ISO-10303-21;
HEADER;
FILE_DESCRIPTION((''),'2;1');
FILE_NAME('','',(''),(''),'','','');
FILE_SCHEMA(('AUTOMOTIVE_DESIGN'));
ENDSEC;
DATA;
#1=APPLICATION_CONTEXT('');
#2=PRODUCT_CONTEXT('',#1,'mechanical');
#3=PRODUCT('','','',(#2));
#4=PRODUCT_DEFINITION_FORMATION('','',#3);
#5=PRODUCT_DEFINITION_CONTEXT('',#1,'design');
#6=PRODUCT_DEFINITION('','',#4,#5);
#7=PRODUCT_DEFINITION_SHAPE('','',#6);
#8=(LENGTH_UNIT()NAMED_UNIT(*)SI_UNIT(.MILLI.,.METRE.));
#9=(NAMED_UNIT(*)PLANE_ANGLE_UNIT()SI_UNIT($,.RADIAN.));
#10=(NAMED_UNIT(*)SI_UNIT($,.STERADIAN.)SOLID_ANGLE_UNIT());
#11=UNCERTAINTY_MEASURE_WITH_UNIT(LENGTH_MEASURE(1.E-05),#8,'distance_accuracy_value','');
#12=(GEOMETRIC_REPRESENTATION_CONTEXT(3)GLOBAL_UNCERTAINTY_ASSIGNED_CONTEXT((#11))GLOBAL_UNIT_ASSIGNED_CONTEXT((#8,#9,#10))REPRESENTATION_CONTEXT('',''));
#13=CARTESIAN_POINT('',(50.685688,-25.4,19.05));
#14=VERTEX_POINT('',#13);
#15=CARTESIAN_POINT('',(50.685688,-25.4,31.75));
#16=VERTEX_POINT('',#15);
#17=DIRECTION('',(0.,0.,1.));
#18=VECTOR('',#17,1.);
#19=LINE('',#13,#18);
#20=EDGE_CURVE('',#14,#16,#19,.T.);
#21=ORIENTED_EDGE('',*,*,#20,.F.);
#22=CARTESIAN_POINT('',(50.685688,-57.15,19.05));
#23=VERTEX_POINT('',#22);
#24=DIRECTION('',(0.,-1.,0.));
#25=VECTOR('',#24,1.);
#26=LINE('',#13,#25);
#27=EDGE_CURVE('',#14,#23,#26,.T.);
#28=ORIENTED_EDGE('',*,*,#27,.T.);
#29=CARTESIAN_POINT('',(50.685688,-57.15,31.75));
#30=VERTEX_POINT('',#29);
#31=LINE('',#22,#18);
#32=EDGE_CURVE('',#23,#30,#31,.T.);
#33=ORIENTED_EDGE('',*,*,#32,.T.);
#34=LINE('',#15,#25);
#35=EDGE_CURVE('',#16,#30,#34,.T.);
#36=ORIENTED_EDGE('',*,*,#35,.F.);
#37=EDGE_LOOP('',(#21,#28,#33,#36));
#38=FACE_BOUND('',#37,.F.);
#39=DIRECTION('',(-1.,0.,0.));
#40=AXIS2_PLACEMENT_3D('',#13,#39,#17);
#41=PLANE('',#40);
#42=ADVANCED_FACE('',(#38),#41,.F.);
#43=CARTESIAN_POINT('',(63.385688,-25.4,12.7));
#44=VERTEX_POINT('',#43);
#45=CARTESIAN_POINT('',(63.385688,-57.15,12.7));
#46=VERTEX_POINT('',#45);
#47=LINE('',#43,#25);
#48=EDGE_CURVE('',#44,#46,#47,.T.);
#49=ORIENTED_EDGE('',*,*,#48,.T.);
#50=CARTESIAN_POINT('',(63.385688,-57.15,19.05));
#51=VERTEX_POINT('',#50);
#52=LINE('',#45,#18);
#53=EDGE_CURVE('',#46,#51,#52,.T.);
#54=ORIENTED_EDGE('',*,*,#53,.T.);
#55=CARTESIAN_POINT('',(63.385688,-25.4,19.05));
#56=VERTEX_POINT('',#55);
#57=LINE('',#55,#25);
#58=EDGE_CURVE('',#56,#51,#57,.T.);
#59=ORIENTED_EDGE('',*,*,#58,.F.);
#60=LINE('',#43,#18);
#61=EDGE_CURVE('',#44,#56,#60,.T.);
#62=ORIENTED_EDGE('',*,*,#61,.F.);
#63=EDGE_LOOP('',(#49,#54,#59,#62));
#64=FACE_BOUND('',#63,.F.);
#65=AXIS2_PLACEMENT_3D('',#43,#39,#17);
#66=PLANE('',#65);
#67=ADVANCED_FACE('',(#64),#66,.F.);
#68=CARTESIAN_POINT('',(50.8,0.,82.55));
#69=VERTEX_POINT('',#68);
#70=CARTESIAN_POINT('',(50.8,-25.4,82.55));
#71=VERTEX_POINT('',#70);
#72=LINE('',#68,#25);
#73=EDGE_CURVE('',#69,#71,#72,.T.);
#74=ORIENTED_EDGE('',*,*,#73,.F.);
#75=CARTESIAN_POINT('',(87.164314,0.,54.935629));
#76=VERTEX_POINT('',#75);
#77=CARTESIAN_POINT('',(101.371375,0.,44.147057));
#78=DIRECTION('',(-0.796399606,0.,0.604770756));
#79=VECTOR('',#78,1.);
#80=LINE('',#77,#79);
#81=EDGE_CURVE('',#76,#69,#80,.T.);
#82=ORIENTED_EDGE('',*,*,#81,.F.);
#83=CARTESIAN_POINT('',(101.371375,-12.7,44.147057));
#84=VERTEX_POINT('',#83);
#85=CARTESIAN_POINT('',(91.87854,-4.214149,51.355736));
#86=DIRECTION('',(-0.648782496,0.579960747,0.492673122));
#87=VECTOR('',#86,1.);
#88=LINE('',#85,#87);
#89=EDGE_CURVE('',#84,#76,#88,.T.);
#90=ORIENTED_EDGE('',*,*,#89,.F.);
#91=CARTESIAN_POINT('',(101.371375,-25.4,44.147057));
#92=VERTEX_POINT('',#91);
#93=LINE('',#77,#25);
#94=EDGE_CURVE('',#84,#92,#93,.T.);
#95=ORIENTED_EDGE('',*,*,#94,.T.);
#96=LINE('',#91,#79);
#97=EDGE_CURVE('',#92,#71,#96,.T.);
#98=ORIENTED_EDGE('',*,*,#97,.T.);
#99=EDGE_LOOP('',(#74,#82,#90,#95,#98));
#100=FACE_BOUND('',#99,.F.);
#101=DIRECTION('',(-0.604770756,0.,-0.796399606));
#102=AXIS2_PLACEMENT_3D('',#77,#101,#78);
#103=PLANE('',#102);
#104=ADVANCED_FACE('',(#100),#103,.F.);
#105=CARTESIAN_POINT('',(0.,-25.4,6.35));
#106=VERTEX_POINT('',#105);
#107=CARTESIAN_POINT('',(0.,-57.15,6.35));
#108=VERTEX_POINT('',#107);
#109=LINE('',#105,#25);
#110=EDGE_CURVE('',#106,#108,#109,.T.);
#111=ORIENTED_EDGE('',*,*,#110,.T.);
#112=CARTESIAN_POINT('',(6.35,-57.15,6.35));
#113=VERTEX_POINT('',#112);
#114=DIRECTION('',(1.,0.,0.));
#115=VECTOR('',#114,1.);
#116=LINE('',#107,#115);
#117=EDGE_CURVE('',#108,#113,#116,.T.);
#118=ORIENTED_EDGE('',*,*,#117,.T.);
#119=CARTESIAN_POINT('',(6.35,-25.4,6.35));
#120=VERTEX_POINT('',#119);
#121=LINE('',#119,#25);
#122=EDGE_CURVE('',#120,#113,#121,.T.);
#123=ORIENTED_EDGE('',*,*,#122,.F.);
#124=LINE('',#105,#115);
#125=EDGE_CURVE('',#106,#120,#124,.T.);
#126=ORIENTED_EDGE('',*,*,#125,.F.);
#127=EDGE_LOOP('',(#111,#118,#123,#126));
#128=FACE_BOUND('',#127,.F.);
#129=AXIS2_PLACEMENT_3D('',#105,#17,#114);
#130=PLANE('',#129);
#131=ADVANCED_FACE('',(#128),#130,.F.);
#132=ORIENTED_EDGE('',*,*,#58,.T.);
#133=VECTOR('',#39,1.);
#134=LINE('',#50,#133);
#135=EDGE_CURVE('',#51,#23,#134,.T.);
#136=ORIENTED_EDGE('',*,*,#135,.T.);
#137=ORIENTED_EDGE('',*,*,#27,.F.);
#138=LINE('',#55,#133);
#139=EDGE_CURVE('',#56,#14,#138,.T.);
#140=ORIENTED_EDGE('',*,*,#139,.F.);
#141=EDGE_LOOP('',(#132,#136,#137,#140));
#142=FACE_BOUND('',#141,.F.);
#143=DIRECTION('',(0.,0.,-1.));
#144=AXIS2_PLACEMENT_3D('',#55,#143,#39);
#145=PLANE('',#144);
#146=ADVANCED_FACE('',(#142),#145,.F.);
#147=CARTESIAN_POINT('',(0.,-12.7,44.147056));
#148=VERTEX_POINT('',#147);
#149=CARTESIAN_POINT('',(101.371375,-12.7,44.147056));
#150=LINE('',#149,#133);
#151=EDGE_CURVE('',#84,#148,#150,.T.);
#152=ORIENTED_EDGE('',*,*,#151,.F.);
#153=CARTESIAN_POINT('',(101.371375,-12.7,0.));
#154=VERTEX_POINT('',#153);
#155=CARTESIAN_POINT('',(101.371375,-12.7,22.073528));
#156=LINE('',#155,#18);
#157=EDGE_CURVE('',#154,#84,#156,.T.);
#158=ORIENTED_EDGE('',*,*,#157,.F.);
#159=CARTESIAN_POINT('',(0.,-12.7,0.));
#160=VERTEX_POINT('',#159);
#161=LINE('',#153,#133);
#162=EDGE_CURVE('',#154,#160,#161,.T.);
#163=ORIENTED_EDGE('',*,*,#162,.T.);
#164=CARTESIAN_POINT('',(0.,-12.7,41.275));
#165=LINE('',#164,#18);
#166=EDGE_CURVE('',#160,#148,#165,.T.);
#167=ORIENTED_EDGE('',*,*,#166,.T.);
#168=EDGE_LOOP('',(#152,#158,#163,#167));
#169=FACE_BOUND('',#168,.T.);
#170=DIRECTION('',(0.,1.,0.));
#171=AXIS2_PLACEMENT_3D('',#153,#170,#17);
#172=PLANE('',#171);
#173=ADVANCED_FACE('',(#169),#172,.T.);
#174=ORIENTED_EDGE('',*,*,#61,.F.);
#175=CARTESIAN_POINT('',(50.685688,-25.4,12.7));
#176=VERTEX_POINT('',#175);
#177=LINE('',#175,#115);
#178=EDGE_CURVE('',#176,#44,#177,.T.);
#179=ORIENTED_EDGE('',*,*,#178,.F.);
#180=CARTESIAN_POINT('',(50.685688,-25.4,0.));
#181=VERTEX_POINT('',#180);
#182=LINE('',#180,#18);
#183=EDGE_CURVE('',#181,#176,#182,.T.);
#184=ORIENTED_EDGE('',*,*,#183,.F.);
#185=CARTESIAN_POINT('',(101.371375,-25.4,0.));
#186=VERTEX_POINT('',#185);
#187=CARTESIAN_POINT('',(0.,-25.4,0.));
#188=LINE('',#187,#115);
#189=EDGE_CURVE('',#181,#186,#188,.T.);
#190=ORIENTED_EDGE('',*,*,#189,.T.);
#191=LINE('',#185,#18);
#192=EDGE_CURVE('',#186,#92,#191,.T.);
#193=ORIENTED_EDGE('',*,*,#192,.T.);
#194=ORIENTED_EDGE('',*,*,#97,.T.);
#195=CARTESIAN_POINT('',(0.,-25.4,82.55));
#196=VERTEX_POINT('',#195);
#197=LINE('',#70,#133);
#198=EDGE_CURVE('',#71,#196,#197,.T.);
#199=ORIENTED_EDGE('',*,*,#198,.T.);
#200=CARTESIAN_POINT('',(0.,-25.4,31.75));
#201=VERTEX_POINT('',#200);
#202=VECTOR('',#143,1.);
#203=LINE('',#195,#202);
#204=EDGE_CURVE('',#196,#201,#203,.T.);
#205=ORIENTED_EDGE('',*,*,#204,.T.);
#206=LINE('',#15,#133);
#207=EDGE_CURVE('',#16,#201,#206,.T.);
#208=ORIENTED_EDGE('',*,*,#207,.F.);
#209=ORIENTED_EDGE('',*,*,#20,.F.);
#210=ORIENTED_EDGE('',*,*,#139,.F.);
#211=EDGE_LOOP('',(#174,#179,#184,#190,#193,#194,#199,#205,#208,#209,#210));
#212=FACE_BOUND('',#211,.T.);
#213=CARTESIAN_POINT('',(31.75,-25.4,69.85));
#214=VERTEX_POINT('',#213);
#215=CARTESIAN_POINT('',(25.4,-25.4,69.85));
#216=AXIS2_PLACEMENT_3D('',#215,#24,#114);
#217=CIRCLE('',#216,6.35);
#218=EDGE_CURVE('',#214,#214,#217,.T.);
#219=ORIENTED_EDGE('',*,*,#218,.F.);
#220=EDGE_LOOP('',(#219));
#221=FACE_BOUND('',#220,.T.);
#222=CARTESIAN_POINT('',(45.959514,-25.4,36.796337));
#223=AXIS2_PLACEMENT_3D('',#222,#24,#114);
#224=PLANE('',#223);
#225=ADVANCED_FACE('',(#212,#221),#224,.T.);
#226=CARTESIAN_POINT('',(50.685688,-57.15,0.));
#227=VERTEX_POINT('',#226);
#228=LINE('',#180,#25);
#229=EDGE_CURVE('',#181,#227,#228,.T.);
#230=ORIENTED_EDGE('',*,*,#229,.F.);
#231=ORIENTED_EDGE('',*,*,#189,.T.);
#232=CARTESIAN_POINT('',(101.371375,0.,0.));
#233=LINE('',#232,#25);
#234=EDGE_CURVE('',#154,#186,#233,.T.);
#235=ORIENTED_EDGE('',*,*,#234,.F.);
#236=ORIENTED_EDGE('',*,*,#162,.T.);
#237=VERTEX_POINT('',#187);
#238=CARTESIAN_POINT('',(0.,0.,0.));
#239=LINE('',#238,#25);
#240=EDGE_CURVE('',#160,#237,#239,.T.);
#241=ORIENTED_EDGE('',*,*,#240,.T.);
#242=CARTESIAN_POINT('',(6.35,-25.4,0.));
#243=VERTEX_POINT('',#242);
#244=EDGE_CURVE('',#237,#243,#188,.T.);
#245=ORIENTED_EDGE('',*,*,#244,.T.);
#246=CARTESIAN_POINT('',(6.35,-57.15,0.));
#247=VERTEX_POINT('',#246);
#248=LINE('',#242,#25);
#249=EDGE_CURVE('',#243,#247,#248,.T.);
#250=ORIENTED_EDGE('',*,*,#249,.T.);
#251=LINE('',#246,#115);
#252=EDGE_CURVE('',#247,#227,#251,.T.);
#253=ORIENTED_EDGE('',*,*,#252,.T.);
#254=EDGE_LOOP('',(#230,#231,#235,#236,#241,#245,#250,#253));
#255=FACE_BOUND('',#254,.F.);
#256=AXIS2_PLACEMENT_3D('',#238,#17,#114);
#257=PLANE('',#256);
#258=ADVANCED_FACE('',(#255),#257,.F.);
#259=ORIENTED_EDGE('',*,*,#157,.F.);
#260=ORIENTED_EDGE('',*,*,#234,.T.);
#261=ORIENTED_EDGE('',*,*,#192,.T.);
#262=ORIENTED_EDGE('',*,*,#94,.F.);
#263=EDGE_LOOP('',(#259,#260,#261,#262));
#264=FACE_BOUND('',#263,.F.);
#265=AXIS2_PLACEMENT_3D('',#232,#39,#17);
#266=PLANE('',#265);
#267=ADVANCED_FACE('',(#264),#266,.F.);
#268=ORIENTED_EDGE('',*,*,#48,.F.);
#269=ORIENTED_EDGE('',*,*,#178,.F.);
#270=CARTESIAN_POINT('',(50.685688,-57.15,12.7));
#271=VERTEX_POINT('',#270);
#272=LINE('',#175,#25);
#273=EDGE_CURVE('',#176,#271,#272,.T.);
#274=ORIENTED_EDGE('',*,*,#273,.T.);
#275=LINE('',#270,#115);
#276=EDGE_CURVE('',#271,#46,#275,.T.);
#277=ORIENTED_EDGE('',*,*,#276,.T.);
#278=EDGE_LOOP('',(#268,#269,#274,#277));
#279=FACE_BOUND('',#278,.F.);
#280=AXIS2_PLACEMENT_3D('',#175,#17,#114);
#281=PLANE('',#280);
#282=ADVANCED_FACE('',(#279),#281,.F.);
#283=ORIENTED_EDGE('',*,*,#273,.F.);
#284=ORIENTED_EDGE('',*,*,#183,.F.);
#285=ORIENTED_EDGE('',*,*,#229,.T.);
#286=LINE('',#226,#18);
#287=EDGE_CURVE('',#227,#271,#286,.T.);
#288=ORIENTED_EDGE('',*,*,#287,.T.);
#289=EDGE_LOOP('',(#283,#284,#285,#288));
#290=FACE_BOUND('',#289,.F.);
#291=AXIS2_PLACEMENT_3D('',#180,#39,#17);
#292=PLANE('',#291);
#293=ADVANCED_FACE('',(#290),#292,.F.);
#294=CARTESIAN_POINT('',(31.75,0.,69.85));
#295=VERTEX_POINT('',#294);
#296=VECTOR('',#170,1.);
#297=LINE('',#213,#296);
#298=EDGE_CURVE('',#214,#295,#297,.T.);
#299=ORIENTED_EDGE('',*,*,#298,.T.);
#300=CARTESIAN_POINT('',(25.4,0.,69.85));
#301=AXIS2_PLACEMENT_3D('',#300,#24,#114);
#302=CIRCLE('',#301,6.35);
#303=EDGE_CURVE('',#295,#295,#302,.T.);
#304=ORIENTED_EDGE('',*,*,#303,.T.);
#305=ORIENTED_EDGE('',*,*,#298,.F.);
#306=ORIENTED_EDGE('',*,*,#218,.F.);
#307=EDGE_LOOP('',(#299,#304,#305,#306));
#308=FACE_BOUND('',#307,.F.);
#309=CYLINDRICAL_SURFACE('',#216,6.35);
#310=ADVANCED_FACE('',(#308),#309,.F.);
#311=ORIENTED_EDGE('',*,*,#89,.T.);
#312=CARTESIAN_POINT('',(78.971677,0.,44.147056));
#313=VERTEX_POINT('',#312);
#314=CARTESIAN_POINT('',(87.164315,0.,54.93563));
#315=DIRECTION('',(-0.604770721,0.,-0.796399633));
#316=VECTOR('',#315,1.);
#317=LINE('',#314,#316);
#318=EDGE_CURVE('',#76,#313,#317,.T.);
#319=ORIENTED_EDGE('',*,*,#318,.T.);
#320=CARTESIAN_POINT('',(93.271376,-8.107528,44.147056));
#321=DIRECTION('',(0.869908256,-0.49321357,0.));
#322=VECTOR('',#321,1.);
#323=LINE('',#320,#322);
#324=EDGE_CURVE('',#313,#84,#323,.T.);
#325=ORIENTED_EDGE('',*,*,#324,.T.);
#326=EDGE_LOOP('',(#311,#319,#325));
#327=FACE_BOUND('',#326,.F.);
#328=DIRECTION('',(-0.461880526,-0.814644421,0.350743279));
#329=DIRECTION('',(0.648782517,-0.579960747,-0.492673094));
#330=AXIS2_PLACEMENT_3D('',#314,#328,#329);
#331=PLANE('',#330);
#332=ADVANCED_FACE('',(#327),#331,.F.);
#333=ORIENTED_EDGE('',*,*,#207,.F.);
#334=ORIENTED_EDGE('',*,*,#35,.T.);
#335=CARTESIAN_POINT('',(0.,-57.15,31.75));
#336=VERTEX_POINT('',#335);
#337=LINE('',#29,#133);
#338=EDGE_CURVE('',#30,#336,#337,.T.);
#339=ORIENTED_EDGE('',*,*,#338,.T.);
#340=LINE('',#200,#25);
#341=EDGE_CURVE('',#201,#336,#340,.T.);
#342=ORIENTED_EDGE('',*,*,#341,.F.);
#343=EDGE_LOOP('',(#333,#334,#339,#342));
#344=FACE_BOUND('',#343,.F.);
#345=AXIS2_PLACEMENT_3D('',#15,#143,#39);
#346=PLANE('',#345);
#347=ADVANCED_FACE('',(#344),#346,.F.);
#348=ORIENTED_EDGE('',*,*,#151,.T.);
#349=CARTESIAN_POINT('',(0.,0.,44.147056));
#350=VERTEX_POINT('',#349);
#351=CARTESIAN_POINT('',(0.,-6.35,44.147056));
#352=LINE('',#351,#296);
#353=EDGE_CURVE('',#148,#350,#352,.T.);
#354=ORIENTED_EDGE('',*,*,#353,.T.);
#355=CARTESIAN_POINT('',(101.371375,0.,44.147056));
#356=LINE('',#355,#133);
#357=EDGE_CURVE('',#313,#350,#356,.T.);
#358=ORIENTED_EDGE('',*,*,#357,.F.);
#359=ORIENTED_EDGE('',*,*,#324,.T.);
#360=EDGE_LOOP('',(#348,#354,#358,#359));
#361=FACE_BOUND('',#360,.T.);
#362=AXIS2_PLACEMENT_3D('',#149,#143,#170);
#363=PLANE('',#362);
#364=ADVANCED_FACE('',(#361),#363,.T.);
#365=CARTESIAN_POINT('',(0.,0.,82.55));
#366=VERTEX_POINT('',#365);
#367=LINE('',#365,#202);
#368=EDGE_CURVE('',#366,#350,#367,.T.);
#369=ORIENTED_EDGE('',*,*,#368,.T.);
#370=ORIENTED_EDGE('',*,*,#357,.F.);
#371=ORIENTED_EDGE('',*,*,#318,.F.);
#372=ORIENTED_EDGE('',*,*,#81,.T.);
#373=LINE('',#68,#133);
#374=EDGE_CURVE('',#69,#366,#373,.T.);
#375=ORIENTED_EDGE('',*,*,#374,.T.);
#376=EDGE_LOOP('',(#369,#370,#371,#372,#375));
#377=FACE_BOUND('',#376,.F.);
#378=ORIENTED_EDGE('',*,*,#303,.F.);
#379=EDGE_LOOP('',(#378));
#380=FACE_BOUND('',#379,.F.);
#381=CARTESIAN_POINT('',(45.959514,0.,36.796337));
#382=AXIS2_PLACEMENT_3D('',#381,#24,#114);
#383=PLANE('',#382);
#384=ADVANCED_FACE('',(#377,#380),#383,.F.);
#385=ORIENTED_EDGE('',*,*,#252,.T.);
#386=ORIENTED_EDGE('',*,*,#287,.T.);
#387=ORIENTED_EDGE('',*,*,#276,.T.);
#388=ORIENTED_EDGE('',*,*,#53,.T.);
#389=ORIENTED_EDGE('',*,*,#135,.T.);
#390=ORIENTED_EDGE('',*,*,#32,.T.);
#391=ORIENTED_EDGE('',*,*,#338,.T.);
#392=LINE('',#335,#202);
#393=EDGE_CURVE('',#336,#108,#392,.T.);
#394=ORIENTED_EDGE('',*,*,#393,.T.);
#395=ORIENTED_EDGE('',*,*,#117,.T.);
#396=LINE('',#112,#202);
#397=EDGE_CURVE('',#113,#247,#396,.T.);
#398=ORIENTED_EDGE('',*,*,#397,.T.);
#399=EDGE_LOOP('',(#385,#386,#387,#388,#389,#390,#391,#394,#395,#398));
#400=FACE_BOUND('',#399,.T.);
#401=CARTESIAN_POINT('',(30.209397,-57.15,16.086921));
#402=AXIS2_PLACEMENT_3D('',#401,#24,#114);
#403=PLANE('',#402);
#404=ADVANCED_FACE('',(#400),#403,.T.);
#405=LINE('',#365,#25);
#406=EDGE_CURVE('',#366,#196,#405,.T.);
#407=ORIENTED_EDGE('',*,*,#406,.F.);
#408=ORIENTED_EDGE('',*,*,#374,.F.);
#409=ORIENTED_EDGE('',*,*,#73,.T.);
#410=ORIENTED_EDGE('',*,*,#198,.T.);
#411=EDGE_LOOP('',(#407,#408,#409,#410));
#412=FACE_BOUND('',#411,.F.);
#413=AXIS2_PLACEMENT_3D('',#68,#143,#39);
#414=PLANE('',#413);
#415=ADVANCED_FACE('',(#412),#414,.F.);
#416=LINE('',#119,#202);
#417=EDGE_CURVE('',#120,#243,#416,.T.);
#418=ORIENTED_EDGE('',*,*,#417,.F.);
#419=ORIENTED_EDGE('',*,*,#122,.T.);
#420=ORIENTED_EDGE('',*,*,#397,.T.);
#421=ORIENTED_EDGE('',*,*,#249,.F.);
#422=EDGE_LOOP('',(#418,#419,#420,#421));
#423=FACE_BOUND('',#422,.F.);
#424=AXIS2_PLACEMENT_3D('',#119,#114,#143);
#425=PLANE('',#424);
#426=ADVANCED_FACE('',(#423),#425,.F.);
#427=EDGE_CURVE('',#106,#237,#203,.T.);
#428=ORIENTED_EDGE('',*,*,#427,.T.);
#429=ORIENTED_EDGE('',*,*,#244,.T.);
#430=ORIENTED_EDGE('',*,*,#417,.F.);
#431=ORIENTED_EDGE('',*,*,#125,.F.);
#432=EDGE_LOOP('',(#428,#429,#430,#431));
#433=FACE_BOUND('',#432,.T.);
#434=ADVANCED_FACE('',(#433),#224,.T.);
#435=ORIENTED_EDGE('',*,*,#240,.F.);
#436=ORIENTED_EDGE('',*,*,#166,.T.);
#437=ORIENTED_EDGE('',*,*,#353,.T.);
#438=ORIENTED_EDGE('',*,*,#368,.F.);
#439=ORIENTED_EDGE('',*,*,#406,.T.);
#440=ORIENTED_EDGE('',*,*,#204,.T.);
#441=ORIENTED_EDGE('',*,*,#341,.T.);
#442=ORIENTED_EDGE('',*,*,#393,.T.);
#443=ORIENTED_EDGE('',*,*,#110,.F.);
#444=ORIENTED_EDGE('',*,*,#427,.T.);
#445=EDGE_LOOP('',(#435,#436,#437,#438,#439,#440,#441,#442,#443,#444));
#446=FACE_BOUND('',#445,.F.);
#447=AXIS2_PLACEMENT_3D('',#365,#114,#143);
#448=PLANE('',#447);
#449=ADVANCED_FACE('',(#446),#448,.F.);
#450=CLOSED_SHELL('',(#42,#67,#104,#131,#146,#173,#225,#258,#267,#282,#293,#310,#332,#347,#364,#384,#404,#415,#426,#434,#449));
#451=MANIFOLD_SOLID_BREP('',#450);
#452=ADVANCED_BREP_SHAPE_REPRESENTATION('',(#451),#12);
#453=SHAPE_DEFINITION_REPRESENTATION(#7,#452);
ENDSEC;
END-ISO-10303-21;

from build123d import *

# Parameters (mm, degrees)
F1_DEPTH = 25.4
F3_DEPTH = 96.466142
F4_W     = 12.7
F4_H     = 44.147057
F5_DEPTH = 101.372375
F6_R     = 6.35
F7_DEPTH = 25.401
F9_DEPTH = 31.75


with BuildPart() as f1:
    # F0 (on Front) → F1 (new body)
    with BuildSketch(Plane.XZ):
        Polygon((0, 82.55), (0, 0), (101.371375, 0), (101.371375, 44.147057), (50.8, 82.55), align=None)
    extrude(amount=F1_DEPTH)

    # F2 (on face) → F3 (cut, through all)
    with BuildSketch(Plane(origin=(58.339296, 0, 76.824801), x_dir=(0.7964, 0, -0.604771), z_dir=(0.604771, 0, 0.7964))):
        Polygon((36.194164, 0), (54.033275, -12.7), (54.033275, 0), align=None)
    extrude(amount=-F3_DEPTH, mode=Mode.SUBTRACT)

    # F4 (on face) → F5 (cut, through all)
    with BuildSketch(Plane.YZ.offset(101.371375)):
        with Locations((-6.35, 22.073528)):
            Rectangle(F4_W, F4_H)
    extrude(amount=-F5_DEPTH, mode=Mode.SUBTRACT)

    # F6 (on face) → F7 (cut, through all)
    with BuildSketch(Plane.XZ.offset(25.4)):
        with Locations((25.4, 69.85)):
            Circle(F6_R)
    extrude(amount=-F7_DEPTH, mode=Mode.SUBTRACT)

    # F8 (on face) → F9 (join)
    with BuildSketch(Plane.XZ.offset(25.4)):
        Polygon((50.685688, 31.75), (0, 31.75), (0, 6.35), (6.35, 6.35), (6.35, 0), (50.685688, 0), (50.685688, 12.7), (63.385688, 12.7), (63.385688, 19.05), (50.685688, 19.05), align=None)
    extrude(amount=F9_DEPTH)


solid = f1.part
